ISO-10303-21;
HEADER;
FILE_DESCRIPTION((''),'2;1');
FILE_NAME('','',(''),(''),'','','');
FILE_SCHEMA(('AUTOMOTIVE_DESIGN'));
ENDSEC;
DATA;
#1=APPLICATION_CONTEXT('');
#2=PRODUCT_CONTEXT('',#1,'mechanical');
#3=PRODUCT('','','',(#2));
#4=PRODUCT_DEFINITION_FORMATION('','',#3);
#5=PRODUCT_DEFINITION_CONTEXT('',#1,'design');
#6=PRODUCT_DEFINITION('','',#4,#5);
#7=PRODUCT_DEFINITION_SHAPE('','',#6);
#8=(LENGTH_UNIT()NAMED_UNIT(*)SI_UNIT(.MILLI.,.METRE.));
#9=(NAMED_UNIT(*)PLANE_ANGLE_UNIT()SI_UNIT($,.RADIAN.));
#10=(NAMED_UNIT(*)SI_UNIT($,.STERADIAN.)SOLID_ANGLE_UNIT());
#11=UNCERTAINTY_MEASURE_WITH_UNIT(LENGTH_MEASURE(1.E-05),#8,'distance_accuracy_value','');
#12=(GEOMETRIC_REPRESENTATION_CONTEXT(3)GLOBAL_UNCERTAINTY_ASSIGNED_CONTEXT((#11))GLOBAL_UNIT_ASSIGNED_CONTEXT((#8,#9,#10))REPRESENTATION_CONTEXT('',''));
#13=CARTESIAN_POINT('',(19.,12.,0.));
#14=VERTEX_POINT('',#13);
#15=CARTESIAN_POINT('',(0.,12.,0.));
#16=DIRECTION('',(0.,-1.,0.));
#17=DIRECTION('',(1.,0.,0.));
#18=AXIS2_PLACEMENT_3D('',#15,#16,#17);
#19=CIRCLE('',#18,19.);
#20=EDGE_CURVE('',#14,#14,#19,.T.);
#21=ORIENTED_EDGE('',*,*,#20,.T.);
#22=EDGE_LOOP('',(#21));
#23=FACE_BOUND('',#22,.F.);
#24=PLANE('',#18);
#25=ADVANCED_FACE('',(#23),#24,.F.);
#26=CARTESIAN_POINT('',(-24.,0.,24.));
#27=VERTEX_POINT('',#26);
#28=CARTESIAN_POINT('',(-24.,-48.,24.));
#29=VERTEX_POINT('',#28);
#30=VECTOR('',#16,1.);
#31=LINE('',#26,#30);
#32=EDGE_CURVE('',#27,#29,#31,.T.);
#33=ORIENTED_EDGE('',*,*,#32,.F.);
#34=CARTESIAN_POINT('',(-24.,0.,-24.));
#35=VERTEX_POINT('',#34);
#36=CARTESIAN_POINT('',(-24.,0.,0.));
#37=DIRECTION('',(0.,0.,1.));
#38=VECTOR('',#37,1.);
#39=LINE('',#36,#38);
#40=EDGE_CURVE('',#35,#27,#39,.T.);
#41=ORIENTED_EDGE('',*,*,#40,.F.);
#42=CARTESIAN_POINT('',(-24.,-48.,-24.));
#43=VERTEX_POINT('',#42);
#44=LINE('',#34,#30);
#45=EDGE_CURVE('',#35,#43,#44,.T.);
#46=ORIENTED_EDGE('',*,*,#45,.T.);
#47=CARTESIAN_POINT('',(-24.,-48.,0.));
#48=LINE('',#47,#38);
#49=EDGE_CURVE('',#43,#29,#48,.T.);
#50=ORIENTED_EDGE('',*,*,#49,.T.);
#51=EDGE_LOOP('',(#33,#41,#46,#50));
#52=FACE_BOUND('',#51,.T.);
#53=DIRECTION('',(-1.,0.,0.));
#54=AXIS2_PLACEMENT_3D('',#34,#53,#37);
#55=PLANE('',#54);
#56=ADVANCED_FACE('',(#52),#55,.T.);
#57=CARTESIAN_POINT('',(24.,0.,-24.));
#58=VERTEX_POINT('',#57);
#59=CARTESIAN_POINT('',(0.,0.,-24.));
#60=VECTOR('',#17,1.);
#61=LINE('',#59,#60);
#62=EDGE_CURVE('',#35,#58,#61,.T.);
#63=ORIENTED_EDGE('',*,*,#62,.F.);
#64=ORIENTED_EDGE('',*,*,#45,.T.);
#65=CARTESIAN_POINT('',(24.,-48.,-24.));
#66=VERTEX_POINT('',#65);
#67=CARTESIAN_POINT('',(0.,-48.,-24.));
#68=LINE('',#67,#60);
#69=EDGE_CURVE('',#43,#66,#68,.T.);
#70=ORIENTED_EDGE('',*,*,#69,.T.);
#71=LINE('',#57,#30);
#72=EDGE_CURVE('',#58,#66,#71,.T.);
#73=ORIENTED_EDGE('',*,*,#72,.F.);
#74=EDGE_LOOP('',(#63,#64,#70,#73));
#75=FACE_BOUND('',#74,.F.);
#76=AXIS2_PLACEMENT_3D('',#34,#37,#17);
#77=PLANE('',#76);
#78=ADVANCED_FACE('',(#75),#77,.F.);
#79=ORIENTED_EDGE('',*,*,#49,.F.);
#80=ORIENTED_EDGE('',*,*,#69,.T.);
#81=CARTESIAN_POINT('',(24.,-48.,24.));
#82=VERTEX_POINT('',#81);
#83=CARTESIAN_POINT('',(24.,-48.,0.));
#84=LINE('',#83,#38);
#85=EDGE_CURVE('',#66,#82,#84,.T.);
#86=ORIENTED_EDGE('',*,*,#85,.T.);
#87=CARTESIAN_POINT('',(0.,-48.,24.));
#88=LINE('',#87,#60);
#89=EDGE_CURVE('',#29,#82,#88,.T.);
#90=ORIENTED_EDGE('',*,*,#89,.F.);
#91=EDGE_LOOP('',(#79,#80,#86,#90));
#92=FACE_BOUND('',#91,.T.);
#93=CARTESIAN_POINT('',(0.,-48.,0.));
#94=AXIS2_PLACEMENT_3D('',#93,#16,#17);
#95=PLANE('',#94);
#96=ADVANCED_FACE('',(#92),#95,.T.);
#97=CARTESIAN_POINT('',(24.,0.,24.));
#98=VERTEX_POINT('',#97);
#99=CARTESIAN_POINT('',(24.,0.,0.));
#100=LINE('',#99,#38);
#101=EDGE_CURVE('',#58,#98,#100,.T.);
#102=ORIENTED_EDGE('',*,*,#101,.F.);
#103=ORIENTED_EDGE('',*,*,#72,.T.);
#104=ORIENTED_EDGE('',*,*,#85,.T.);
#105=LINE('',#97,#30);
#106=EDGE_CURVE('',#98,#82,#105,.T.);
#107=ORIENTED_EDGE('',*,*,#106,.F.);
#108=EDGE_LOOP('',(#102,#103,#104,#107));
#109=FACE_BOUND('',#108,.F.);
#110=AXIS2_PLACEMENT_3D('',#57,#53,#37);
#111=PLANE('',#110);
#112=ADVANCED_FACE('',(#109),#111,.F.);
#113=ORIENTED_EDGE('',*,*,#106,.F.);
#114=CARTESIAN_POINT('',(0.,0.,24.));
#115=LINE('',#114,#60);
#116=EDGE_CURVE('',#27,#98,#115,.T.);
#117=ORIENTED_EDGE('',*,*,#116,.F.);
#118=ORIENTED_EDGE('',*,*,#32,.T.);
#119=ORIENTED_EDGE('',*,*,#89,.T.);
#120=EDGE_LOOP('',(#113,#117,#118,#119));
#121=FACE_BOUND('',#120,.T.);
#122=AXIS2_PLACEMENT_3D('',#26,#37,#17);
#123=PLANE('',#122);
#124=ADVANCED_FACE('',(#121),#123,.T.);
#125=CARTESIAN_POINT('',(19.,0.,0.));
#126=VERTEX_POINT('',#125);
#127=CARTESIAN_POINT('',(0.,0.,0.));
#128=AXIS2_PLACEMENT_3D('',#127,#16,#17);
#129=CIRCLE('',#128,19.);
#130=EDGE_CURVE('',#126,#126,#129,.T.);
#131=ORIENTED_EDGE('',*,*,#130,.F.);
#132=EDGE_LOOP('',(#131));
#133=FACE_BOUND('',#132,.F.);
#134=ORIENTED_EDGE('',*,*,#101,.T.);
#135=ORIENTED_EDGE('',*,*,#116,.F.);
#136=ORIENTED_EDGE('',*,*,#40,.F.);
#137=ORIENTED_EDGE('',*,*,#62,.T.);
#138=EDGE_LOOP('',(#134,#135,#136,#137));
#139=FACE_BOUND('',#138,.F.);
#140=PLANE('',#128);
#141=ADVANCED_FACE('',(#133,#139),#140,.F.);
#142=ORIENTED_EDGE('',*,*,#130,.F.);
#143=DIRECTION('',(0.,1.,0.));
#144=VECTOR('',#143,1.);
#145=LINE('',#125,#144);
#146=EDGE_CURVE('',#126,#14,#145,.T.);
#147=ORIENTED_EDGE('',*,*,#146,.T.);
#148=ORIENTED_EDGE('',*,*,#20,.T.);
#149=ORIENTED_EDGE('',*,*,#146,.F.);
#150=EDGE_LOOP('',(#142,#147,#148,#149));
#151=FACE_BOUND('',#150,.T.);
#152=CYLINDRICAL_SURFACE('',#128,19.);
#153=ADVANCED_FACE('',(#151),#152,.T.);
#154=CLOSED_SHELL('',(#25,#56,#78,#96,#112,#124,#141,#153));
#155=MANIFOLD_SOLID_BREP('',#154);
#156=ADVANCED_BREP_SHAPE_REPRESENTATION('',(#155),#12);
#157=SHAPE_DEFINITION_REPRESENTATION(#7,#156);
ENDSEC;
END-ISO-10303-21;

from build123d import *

# Parameters (mm, degrees)
F0_W     = 48
F0_H     = 48
F1_DEPTH = 48
F2_R     = 8
F3_DEPTH = 7
F3_TAPER = -3
F4_R     = 19
F5_DEPTH = 12


with BuildPart() as f1:
    # F0 (on Front) → F1 (new body)
    with BuildSketch(Plane.XZ):
        Rectangle(F0_W, F0_H)
    extrude(amount=F1_DEPTH)

    # F2 (on Front) → F3 (join)
    with BuildSketch(Plane.XZ):
        with Locations((-11.5896230564, 11.2924538553)):
            Circle(F2_R)
        with Locations((11.8867922574, 11.2924538553)):
            Circle(F2_R)
        with Locations((11.8867922574, -11.5896230564)):
            Circle(F2_R)
        with Locations((-11.5896230564, -11.5896230564)):
            Circle(F2_R)
    extrude(amount=F3_DEPTH, taper=F3_TAPER)

    # F4 (on Front) → F5 (join)
    with BuildSketch(Plane.XZ):
        Circle(F4_R)
    extrude(amount=-F5_DEPTH)


solid = f1.part
